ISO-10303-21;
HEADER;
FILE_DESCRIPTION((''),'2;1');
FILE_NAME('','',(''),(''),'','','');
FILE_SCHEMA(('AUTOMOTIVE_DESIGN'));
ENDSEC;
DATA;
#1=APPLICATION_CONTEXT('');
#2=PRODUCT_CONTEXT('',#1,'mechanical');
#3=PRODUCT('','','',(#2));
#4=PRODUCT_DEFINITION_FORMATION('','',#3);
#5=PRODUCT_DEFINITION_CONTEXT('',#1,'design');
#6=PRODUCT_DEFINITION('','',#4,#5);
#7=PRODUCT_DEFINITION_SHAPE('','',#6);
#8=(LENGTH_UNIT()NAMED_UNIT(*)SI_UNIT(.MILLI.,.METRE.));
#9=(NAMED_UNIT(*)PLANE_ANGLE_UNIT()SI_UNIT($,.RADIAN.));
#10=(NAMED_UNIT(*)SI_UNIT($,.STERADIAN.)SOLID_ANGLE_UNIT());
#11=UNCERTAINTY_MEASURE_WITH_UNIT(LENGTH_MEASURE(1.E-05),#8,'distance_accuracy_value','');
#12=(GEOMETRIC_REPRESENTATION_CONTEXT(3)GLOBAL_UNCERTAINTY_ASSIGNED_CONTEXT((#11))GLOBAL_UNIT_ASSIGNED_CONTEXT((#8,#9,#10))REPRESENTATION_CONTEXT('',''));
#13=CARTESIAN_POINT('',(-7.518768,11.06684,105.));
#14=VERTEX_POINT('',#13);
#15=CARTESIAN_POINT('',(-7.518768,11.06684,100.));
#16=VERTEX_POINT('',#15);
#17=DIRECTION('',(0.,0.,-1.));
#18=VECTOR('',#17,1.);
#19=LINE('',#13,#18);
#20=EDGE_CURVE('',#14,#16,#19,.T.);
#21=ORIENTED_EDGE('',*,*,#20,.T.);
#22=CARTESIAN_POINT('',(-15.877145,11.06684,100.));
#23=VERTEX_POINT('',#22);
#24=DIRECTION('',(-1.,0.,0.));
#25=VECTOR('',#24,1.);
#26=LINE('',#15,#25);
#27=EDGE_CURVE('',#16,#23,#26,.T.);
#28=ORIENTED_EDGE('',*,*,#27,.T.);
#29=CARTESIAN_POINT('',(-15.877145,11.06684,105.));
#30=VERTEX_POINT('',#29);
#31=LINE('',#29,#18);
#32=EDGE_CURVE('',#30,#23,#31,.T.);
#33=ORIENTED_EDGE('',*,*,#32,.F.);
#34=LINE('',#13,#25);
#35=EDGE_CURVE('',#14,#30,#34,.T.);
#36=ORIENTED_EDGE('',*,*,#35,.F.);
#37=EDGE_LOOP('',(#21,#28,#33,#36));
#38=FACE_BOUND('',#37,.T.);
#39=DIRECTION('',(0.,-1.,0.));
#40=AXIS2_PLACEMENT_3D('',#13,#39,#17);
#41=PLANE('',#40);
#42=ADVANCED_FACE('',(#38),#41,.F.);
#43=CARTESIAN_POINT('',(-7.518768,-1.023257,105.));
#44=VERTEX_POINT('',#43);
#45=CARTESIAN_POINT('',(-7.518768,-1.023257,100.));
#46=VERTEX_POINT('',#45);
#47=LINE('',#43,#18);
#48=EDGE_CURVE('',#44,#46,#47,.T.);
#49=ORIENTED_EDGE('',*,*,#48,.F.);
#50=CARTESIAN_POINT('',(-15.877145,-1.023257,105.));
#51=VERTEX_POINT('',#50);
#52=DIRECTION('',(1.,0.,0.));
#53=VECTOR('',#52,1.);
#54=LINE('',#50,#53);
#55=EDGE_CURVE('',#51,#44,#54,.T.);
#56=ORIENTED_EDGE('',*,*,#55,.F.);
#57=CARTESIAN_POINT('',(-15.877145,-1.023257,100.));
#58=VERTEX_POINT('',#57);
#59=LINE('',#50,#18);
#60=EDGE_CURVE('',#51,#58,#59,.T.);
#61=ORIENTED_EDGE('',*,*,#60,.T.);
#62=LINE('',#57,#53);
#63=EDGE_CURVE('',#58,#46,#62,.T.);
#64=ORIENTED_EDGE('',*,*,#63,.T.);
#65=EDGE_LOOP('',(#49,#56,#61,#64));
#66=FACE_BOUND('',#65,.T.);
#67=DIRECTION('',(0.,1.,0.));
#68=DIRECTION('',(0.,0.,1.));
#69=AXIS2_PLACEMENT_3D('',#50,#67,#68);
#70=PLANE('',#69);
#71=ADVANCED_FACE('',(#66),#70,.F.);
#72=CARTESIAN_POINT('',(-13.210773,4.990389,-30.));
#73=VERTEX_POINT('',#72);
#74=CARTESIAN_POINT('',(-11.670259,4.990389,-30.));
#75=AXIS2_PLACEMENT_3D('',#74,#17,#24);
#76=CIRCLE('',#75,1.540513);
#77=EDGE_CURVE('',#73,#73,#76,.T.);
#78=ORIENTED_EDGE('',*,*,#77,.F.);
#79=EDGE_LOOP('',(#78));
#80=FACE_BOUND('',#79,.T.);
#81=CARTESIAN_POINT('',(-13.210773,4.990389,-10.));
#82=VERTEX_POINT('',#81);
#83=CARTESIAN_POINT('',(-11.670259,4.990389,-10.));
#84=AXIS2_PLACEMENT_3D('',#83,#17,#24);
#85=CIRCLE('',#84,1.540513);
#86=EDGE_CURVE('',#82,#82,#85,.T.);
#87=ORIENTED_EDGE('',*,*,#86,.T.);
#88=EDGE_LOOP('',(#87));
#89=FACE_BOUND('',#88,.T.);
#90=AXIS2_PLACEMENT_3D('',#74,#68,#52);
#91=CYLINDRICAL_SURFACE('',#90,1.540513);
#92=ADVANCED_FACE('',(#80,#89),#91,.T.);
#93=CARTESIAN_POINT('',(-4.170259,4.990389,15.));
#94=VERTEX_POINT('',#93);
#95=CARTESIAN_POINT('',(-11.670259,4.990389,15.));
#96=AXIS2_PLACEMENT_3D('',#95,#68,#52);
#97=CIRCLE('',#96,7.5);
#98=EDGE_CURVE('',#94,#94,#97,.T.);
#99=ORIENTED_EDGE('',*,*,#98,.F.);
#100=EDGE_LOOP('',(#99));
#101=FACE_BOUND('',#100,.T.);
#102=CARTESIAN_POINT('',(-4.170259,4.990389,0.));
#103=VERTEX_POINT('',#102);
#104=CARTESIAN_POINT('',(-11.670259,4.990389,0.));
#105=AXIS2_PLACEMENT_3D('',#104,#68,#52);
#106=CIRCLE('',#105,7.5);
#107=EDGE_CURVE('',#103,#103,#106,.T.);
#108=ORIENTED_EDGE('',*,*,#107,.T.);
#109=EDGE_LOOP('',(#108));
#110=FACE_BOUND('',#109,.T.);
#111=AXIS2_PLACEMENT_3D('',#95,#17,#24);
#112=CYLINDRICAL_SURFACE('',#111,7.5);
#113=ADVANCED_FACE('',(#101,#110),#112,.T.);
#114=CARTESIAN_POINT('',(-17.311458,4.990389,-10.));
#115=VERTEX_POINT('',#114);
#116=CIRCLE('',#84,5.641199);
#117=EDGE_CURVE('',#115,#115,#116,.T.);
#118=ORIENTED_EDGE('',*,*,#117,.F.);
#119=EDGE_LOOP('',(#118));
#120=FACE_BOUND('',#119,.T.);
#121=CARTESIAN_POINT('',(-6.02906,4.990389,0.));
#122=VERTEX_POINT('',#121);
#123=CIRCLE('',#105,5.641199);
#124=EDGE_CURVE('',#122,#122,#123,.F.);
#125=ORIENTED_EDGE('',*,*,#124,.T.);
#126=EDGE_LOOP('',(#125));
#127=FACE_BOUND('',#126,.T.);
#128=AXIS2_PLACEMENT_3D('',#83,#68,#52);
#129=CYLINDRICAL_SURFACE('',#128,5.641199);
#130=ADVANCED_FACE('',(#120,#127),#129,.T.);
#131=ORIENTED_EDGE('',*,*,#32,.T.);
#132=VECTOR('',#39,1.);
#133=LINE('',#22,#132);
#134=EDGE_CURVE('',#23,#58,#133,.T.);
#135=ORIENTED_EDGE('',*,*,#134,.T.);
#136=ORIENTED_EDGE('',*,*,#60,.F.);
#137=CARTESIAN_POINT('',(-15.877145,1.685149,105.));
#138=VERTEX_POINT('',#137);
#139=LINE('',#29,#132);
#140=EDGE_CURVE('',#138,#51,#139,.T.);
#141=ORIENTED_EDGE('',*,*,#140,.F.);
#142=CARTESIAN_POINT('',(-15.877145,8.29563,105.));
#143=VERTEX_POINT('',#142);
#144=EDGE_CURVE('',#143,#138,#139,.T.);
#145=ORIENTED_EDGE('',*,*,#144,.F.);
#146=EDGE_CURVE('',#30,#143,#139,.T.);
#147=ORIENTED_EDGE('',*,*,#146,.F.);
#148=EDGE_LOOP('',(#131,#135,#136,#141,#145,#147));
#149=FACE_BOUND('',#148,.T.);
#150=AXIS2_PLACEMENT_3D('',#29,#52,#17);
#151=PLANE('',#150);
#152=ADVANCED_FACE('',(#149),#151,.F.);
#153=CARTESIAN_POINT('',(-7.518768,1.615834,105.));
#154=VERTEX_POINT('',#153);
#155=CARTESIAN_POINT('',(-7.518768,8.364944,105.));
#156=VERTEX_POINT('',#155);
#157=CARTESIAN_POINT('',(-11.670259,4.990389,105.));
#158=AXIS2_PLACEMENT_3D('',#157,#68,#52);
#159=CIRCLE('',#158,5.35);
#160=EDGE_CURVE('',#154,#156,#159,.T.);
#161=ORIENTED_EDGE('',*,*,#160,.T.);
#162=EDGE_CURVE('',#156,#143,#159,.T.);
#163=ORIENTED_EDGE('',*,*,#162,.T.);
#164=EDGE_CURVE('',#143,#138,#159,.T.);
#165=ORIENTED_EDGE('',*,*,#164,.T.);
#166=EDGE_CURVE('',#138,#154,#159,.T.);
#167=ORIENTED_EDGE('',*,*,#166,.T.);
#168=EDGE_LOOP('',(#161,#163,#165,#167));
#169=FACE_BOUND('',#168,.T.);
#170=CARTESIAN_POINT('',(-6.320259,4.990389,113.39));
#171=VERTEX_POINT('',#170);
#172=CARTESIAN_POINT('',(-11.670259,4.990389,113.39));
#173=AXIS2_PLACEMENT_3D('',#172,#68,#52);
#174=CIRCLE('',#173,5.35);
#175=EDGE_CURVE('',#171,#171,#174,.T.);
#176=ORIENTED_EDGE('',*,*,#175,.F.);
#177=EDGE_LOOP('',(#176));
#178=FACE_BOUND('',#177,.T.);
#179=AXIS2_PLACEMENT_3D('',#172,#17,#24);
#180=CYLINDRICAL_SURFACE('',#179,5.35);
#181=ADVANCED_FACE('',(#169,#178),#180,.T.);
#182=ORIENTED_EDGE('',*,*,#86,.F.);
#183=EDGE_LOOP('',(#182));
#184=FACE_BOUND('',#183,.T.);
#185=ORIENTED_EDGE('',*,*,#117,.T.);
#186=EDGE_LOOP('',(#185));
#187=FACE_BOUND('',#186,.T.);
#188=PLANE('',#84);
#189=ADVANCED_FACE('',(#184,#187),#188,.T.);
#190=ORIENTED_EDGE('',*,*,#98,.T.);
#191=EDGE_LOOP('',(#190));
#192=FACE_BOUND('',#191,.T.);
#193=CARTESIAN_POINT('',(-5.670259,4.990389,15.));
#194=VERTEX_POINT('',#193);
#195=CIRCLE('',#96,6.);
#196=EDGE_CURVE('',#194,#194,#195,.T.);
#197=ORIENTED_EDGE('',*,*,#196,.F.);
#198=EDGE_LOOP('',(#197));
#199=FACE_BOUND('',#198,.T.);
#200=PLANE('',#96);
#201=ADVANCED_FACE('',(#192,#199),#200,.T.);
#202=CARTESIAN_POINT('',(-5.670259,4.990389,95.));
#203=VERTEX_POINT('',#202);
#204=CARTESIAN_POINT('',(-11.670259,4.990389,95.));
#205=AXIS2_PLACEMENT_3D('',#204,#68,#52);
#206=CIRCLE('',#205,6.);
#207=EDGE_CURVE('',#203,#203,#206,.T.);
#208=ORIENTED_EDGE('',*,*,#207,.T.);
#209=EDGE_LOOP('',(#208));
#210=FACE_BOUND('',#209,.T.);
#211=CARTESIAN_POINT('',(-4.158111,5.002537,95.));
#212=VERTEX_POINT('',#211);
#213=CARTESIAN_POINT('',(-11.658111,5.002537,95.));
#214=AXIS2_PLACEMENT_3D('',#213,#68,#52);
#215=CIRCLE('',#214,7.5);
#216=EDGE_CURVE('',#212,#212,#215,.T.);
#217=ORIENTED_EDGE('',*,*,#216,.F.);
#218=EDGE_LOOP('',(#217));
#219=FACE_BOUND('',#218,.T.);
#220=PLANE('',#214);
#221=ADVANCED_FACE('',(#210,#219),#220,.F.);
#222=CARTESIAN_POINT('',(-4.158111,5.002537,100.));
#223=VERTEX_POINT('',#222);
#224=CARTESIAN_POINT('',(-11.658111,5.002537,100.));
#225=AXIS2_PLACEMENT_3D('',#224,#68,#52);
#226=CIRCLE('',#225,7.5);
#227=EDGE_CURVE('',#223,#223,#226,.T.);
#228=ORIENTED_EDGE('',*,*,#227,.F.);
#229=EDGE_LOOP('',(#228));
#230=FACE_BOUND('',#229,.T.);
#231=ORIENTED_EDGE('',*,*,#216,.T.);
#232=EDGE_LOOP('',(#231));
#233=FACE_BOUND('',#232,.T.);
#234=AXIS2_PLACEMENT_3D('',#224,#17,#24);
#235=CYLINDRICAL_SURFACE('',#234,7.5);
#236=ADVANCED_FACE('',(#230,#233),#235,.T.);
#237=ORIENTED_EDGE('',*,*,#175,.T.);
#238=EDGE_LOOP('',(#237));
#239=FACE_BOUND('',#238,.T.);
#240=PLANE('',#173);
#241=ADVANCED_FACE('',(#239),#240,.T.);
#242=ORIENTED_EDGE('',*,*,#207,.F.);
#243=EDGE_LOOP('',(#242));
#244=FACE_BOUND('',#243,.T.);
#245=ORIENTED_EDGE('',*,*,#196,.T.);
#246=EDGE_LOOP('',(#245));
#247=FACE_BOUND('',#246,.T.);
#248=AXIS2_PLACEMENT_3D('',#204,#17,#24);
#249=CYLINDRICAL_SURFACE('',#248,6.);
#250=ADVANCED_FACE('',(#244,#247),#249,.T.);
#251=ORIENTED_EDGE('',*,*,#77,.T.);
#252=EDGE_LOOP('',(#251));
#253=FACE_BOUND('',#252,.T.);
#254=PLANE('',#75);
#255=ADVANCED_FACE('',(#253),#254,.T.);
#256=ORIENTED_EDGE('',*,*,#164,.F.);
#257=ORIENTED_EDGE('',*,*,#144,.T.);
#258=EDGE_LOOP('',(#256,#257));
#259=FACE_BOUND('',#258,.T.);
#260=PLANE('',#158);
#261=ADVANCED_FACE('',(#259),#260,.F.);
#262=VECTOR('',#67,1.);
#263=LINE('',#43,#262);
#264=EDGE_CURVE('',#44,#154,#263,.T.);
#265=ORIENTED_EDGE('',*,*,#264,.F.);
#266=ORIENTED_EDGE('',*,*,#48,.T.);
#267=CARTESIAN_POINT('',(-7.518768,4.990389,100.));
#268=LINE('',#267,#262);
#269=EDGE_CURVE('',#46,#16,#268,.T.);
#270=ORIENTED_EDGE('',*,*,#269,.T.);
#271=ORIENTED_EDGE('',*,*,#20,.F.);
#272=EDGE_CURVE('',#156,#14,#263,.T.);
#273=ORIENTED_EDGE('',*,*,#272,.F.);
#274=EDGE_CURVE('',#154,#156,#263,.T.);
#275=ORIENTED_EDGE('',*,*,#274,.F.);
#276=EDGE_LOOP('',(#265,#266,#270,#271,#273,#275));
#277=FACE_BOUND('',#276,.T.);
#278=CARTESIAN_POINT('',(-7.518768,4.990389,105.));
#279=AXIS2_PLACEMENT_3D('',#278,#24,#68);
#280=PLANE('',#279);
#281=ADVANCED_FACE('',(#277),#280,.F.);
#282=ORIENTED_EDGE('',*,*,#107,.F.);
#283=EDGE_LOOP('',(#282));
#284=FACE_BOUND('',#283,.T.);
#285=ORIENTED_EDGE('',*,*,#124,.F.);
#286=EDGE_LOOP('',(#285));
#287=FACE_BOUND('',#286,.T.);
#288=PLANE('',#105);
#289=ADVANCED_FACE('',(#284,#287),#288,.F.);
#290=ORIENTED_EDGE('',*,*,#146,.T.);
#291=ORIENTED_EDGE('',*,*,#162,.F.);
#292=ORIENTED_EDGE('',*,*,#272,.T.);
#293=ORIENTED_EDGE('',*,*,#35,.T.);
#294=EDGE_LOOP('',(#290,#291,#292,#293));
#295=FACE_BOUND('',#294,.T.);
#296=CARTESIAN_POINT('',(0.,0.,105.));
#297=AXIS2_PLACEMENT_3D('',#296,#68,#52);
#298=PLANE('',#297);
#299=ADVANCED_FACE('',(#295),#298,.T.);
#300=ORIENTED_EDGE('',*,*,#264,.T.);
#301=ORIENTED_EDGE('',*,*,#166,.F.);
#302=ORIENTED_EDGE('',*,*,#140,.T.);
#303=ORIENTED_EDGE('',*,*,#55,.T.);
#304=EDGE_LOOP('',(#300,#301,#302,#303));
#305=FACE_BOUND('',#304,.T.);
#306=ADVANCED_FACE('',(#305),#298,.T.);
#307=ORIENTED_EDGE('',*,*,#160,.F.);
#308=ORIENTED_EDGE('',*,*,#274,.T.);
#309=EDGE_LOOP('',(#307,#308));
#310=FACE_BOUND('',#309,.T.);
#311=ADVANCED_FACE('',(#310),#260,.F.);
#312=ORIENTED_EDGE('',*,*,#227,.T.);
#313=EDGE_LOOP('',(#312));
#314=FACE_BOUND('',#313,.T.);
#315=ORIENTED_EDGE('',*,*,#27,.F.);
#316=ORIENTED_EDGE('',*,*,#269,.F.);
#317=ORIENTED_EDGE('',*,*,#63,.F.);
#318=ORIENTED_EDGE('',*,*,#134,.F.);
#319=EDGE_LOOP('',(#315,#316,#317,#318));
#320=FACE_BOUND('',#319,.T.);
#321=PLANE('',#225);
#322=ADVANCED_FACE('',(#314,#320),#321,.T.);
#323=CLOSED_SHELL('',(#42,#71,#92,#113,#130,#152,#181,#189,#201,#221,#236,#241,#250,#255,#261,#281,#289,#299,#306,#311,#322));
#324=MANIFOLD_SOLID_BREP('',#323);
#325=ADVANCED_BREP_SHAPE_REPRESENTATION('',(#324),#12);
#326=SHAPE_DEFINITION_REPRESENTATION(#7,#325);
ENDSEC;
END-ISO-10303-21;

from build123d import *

# Parameters (mm, degrees)
CROQUIS1_R              = 7.5
SALIENTE_EXTRUIR1_DEPTH = 15
CROQUIS2_R              = 6
SALIENTE_EXTRUIR2_DEPTH = 80
CROQUIS4_R              = 7.5
SALIENTE_EXTRUIR3_DEPTH = 5
SALIENTE_EXTRUIR4_DEPTH = 5
CROQUIS7_R              = 5.35
SALIENTE_EXTRUIR6_DEPTH = 8.39
CROQUIS8_R              = 5.641199124
SALIENTE_EXTRUIR7_DEPTH = 10
CROQUIS9_R              = 1.540513395
SALIENTE_EXTRUIR8_DEPTH = 20


with BuildPart() as part:
    # Croquis1 → Saliente-Extruir1 (new body)
    with BuildSketch(Plane.XY):
        with Locations((-11.670259109, 4.990389294)):
            Circle(CROQUIS1_R)
    extrude(amount=SALIENTE_EXTRUIR1_DEPTH)

    # Croquis2 → Saliente-Extruir2 (add)
    with BuildSketch(Plane.XY.offset(15)):
        with Locations((-11.670259109, 4.990389294)):
            Circle(CROQUIS2_R)
    extrude(amount=SALIENTE_EXTRUIR2_DEPTH)

    # Croquis4 → Saliente-Extruir3 (add)
    with BuildSketch(Plane.XY.offset(95)):
        with Locations((-11.658111308, 5.002537095)):
            Circle(CROQUIS4_R)
    extrude(amount=SALIENTE_EXTRUIR3_DEPTH)

    # Croquis5 → Saliente-Extruir4 (add)
    with BuildSketch(Plane.XY.offset(100)):
        Polygon((-7.518768123, 4.990389294), (-7.518768123, 11.066839741), (-15.877144731, 11.066839741), (-15.877144731, -1.023256523), (-7.518768123, -1.023256523), align=None)
    extrude(amount=SALIENTE_EXTRUIR4_DEPTH)

    # Croquis7 → Saliente-Extruir6 (add)
    with BuildSketch(Plane.XY.offset(105)):
        with Locations((-11.670259109, 4.990389294)):
            Circle(CROQUIS7_R)
    extrude(amount=SALIENTE_EXTRUIR6_DEPTH)

    # Croquis8 → Saliente-Extruir7 (add)
    with BuildSketch(Plane(origin=(0, 0, 0), x_dir=(-1, 0, 0), z_dir=(0, 0, -1))):
        with Locations((11.670259109, 4.990389294)):
            Circle(CROQUIS8_R)
    extrude(amount=SALIENTE_EXTRUIR7_DEPTH)

    # Croquis9 → Saliente-Extruir8 (add)
    with BuildSketch(Plane(origin=(0, 0, -10), x_dir=(-1, 0, 0), z_dir=(0, 0, -1))):
        with Locations((11.670259109, 4.990389294)):
            Circle(CROQUIS9_R)
    extrude(amount=SALIENTE_EXTRUIR8_DEPTH)


solid = part.part
